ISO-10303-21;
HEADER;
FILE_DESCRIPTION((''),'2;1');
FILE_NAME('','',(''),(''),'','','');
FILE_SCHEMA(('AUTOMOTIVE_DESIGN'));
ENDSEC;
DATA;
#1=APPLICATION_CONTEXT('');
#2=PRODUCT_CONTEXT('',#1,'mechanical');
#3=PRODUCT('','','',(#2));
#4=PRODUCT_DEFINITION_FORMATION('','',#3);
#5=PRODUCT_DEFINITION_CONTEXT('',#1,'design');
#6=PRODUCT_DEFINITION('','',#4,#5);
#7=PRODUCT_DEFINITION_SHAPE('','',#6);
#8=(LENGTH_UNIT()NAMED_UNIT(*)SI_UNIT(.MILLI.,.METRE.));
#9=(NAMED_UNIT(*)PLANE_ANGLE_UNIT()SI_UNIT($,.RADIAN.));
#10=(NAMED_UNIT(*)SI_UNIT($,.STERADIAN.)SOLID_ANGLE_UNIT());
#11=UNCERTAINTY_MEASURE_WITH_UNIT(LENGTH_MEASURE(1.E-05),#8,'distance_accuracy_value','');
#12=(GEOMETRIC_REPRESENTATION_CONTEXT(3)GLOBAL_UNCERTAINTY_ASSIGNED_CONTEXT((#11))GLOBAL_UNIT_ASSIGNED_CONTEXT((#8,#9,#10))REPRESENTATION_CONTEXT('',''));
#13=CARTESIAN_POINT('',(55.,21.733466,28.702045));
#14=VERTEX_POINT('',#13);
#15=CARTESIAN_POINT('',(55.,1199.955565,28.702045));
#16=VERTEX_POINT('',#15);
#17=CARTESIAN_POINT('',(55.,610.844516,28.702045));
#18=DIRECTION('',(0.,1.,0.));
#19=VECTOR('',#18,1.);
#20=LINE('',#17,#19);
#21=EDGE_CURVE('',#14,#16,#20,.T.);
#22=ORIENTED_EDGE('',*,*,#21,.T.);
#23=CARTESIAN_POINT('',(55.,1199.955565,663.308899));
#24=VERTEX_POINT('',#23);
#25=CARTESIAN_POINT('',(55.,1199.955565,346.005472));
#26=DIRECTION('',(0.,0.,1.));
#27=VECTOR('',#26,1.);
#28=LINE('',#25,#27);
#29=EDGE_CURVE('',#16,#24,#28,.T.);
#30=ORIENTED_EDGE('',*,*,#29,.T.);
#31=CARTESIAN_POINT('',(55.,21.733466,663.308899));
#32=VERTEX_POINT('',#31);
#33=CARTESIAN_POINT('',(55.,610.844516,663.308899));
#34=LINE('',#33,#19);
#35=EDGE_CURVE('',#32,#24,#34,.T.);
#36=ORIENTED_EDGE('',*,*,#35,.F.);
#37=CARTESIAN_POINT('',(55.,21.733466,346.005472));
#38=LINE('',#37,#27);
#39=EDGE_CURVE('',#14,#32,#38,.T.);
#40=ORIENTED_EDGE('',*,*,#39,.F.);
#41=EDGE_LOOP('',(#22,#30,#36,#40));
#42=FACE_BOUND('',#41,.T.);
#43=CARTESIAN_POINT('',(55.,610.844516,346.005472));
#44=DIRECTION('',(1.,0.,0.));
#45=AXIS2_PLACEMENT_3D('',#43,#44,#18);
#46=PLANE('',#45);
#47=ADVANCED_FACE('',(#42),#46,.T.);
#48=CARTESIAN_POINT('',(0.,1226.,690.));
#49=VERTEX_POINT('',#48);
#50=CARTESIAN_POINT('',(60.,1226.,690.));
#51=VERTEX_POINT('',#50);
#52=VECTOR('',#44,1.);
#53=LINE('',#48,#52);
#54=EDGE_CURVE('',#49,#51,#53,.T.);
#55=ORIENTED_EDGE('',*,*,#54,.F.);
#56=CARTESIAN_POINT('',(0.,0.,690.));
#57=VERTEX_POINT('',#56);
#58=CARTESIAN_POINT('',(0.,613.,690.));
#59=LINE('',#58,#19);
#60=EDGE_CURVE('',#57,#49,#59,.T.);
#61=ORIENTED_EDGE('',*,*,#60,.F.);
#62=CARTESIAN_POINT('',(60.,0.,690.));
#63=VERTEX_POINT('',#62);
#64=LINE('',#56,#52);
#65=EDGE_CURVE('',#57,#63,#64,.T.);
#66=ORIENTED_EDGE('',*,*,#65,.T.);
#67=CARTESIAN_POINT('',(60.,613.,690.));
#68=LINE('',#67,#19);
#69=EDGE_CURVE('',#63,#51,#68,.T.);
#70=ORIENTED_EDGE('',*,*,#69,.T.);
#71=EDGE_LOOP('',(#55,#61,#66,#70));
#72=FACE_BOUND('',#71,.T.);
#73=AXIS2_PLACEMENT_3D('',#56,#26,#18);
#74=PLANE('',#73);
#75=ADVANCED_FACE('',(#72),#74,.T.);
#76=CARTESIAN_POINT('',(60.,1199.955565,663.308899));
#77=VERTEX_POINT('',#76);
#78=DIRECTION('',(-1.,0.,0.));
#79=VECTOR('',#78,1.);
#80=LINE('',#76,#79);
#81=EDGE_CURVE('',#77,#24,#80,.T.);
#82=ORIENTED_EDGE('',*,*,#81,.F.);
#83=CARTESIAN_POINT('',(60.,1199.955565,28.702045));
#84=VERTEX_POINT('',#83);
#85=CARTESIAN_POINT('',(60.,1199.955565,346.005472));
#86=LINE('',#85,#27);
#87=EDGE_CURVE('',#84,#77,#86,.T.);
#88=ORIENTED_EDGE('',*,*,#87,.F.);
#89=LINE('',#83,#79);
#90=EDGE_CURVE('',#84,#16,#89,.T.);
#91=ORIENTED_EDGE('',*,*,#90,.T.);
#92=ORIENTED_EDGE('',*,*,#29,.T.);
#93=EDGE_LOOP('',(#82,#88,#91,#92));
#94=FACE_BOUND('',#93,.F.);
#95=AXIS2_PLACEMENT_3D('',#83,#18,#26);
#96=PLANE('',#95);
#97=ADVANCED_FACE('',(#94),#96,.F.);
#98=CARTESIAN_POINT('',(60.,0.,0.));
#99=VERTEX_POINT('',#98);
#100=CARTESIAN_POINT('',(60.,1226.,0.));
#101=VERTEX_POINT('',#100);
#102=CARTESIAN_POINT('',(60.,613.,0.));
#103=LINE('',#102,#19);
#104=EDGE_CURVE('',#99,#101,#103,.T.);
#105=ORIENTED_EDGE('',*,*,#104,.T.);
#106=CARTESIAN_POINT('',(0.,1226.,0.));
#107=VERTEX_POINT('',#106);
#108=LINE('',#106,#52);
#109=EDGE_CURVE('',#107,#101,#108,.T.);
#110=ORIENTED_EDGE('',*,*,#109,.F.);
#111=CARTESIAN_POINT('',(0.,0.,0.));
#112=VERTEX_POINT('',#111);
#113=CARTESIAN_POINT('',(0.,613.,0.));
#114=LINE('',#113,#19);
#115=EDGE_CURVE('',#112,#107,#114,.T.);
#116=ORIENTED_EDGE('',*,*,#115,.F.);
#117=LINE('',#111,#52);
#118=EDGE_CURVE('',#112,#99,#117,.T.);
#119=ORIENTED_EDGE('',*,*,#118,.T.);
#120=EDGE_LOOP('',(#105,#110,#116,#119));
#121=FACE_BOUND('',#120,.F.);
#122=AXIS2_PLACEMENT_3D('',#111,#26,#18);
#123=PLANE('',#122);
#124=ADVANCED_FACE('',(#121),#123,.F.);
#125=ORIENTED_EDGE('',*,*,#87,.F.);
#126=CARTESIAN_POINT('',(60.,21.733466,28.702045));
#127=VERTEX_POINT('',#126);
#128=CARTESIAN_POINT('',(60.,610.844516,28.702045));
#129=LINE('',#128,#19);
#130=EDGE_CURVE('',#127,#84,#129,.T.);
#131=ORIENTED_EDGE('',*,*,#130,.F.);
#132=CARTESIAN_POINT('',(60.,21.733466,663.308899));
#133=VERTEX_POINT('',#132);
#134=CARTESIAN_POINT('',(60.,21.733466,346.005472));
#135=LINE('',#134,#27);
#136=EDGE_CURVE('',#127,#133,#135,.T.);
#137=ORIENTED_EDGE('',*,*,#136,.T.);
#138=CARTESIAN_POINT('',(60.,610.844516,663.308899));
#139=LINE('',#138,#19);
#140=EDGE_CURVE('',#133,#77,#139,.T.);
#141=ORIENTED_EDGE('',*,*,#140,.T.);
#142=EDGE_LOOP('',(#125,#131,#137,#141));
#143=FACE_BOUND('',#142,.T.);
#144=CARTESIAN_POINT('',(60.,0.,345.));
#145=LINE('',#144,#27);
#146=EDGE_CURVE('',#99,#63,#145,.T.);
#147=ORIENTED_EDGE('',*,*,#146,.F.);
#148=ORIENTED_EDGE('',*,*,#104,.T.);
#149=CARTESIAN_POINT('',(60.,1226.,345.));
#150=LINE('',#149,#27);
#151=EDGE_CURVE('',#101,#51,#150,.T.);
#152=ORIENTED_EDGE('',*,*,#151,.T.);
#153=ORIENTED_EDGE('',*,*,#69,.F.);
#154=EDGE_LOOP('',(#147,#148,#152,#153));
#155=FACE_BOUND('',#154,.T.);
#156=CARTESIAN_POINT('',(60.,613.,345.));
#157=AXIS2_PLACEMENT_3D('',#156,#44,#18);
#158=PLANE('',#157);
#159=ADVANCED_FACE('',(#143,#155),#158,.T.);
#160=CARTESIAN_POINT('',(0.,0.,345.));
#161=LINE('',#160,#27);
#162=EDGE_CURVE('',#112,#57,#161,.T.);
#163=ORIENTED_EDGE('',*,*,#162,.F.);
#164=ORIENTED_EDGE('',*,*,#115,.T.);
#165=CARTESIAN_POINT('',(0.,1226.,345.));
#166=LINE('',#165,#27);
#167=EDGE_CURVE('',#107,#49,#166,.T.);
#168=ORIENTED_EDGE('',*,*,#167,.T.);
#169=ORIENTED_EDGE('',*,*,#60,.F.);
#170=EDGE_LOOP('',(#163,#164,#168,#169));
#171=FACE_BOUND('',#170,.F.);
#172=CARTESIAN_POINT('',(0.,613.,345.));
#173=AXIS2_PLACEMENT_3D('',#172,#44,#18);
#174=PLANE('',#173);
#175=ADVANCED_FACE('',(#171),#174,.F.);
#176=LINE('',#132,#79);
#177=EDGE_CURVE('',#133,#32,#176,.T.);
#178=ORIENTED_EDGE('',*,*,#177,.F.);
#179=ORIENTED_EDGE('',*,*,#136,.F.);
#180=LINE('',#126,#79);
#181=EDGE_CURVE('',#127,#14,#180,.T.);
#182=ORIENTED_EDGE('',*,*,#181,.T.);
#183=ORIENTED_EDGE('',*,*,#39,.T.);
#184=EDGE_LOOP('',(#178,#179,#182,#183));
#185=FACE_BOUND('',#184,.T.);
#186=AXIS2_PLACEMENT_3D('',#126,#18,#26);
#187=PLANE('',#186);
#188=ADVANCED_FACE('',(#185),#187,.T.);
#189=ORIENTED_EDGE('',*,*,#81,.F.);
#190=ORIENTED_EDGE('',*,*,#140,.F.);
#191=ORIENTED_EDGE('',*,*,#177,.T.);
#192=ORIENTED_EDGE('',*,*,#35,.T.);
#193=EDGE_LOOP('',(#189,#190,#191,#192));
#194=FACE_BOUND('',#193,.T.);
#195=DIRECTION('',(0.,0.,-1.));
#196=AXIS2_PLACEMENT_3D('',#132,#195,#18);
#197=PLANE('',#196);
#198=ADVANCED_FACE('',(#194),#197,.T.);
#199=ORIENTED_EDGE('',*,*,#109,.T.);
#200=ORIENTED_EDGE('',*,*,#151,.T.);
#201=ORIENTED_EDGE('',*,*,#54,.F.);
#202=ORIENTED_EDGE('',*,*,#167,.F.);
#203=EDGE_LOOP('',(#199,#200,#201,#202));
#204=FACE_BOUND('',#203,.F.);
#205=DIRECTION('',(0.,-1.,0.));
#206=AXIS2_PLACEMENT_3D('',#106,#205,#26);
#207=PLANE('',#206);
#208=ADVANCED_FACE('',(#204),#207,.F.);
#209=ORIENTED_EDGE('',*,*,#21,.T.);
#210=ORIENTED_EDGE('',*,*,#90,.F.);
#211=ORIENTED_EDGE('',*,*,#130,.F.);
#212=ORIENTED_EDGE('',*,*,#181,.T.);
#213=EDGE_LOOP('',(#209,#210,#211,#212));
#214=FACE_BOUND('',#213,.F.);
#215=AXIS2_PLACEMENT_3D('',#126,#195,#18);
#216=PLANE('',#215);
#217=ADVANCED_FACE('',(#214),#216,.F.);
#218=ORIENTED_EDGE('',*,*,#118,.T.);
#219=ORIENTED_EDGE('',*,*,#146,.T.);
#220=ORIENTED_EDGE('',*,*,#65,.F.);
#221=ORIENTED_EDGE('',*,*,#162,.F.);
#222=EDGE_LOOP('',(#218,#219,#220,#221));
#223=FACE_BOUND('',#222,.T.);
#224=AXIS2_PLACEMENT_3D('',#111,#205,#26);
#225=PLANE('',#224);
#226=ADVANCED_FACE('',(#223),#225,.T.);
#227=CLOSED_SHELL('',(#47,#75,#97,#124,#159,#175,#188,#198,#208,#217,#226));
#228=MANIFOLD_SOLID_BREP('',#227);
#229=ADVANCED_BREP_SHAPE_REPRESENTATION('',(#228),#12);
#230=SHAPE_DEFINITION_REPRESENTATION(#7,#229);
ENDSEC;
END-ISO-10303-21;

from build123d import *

# Parameters (mm, degrees)
SKETCH_W     = 1226
SKETCH_H     = 690
PAD_DEPTH    = 60
SKETCH001_W  = 1178.222099
SKETCH001_H  = 634.606854
POCKET_DEPTH = 5


with BuildPart() as part:
    # Sketch → Pad (new body)
    with BuildSketch(Plane.YZ):
        with Locations((613, 345)):
            Rectangle(SKETCH_W, SKETCH_H)
    extrude(amount=PAD_DEPTH)

    # Sketch001 (on Face6 of Pad) → Pocket (cut)
    with BuildSketch(Plane.YZ.offset(60)):
        with Locations((610.844516, 346.005472)):
            Rectangle(SKETCH001_W, SKETCH001_H)
    extrude(amount=-POCKET_DEPTH, mode=Mode.SUBTRACT)


solid = part.part
